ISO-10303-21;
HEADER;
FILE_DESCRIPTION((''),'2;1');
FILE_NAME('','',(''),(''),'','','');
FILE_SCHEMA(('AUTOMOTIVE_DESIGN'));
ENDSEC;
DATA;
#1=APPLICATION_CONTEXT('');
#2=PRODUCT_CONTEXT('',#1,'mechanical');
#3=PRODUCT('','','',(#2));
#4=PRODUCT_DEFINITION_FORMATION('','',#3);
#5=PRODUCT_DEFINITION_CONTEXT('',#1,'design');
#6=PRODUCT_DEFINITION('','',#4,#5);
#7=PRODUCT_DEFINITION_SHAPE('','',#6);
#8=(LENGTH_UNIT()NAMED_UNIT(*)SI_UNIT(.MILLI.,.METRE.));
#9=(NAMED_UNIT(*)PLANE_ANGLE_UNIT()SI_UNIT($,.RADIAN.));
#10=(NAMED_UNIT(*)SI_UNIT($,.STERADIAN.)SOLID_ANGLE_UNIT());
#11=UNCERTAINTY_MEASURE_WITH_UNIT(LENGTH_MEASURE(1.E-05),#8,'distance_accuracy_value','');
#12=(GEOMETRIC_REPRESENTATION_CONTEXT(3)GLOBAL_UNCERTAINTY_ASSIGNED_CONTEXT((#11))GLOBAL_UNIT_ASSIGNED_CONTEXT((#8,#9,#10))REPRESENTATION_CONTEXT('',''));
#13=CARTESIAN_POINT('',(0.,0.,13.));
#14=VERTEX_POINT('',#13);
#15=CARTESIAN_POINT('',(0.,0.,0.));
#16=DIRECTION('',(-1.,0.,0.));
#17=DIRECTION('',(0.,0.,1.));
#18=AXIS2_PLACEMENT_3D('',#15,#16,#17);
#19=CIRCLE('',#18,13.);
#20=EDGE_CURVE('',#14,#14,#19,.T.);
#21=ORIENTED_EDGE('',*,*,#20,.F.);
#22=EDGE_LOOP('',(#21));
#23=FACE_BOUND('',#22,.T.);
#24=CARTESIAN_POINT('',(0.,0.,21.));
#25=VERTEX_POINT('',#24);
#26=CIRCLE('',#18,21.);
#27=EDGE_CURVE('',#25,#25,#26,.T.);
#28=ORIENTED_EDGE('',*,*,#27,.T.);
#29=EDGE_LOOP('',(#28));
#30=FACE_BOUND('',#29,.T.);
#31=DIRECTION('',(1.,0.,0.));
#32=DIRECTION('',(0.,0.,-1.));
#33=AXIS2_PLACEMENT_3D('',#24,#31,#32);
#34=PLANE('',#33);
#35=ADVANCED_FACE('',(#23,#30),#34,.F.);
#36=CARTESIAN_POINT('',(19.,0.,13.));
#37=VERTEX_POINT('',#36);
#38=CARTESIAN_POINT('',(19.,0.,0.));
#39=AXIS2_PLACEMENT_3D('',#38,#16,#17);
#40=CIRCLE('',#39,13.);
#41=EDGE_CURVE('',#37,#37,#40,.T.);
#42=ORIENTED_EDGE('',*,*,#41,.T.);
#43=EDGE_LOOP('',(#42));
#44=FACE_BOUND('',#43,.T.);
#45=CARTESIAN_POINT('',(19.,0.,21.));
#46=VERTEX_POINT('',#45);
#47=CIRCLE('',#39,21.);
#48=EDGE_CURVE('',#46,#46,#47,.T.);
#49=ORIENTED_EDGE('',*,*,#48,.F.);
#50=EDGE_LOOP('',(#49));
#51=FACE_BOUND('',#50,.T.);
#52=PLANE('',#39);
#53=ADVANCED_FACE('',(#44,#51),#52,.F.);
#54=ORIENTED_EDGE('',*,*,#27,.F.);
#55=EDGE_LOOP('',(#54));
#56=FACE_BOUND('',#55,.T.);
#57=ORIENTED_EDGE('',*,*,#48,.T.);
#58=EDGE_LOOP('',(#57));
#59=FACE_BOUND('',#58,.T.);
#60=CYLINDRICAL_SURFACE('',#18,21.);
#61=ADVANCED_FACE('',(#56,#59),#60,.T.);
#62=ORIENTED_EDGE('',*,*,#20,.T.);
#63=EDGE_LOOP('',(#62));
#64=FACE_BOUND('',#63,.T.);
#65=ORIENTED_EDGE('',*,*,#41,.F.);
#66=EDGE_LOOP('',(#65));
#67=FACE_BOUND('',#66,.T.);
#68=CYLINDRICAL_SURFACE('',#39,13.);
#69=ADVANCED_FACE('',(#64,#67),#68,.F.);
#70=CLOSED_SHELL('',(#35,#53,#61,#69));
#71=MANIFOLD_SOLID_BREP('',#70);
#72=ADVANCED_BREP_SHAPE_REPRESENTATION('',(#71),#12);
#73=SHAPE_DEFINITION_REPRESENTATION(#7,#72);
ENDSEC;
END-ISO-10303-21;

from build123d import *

# Parameters (mm, degrees)
SKETCH1_W          = 19
SKETCH1_H          = 21
SKETCH2_R          = 13
CUT_EXTRUDE1_DEPTH = 36.256205128


with BuildPart() as part:
    # Sketch1 → Revolve-Thin1 (revolve)
    with BuildSketch(Plane(origin=(0, 0, 0), x_dir=(1, 0, 0), z_dir=(0, 1, 0)), mode=Mode.PRIVATE) as revolve_thin1_sk:
        with Locations((9.5, 10.5)):
            Rectangle(SKETCH1_W, SKETCH1_H)
    revolve(revolve_thin1_sk.sketch.rotate(Axis((0, 0, 0), (1, 0, 0)), 180), axis=Axis((0, 0, 0), (1, 0, 0)))

    # Sketch2 → Cut-Extrude1 (cut, through all)
    with BuildSketch(Plane.ZY):
        Circle(SKETCH2_R)
    extrude(amount=-CUT_EXTRUDE1_DEPTH, mode=Mode.SUBTRACT)


solid = part.part
